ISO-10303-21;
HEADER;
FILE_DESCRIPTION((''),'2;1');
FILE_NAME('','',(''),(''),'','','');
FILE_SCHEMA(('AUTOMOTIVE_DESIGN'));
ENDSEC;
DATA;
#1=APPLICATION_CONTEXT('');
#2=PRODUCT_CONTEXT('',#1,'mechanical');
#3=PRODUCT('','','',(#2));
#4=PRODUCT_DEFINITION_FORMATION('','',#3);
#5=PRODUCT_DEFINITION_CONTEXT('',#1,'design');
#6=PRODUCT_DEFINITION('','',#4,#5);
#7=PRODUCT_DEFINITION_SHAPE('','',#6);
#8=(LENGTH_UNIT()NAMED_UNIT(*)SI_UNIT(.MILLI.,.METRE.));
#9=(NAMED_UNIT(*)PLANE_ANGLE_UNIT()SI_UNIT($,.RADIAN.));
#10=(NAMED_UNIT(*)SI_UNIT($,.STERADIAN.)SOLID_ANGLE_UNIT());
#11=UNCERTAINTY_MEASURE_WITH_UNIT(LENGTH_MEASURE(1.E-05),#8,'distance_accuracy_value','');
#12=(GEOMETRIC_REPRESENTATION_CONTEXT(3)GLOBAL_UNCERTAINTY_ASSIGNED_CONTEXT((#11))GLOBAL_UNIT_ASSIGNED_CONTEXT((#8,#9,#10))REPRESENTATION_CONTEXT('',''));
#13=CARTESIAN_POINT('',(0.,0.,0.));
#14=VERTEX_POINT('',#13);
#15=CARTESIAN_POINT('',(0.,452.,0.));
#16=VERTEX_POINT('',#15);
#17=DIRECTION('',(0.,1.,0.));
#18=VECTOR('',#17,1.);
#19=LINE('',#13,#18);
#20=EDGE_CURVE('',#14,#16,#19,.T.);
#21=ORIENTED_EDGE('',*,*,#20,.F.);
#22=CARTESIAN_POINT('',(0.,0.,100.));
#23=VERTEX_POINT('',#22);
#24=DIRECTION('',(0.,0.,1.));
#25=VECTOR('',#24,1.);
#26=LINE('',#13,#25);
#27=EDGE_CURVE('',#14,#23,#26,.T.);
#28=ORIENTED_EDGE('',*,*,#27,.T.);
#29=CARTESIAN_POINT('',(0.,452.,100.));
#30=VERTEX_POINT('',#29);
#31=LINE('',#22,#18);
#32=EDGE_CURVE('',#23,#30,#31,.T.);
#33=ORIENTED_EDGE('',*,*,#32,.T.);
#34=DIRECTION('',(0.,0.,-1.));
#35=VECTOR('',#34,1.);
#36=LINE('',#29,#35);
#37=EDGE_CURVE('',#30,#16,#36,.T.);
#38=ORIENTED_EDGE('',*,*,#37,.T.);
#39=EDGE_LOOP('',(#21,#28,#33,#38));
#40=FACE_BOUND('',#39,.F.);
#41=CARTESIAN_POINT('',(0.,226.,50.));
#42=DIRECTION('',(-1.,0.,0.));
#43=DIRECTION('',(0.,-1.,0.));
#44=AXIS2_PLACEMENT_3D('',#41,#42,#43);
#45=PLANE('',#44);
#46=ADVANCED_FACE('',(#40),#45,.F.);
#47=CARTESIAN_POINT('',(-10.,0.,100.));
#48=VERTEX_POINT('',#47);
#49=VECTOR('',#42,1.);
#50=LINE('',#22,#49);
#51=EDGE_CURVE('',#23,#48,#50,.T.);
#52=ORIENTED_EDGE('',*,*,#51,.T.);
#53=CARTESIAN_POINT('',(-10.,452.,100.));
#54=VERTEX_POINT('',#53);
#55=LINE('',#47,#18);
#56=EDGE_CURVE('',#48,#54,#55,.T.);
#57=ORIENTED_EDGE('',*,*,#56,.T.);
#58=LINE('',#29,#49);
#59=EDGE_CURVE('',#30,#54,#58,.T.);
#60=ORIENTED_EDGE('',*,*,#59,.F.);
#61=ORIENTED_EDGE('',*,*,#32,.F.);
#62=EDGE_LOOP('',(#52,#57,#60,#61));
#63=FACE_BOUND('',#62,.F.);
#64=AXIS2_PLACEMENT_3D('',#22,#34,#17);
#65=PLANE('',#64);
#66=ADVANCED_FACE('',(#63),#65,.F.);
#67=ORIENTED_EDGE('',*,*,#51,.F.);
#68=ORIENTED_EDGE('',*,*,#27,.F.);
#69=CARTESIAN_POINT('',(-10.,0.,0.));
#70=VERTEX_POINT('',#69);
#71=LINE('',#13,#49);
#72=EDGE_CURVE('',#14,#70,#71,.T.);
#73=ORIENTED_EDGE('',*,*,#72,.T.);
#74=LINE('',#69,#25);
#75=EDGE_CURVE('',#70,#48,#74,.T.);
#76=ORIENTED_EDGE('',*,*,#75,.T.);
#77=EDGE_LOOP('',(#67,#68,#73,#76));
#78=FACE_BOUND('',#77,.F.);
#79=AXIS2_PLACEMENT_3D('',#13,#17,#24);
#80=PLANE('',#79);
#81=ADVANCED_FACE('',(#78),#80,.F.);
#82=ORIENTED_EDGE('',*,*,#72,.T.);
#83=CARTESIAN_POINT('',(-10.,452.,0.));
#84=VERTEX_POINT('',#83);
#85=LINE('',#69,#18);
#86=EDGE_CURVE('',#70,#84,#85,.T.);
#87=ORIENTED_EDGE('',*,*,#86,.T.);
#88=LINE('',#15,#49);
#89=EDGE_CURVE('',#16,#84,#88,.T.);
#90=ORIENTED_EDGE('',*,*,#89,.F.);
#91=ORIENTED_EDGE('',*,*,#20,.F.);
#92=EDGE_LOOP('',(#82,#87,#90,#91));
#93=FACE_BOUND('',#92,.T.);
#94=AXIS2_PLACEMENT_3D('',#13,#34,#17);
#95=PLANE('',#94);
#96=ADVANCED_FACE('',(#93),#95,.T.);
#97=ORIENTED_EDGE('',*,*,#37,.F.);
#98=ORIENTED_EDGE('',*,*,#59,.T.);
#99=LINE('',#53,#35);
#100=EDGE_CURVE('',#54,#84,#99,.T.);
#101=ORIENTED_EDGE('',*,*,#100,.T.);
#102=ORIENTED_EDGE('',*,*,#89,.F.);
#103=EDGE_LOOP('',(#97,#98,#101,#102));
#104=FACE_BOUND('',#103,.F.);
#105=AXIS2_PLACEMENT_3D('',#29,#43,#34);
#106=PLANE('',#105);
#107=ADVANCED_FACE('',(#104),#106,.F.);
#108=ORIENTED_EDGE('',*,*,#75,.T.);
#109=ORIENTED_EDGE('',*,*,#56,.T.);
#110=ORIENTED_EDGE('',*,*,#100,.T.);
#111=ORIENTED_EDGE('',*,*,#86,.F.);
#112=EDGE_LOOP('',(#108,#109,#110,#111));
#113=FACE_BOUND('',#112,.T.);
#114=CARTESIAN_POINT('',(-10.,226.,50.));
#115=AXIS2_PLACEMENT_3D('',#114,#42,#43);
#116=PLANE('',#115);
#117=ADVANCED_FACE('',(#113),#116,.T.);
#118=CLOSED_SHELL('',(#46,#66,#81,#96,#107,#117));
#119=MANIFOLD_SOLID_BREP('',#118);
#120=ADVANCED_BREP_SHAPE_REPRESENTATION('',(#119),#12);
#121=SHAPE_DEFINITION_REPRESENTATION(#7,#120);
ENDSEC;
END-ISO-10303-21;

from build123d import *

# Parameters (mm, degrees)
PAD_DEPTH = 10


with BuildPart() as part:
    # Sketch → Pad (new body)
    with BuildSketch(Plane.YZ):
        Polygon((0, 0), (0, 100), (452, 100), (452, 0), (226, 0), align=None)
    extrude(amount=-PAD_DEPTH)


solid = part.part
